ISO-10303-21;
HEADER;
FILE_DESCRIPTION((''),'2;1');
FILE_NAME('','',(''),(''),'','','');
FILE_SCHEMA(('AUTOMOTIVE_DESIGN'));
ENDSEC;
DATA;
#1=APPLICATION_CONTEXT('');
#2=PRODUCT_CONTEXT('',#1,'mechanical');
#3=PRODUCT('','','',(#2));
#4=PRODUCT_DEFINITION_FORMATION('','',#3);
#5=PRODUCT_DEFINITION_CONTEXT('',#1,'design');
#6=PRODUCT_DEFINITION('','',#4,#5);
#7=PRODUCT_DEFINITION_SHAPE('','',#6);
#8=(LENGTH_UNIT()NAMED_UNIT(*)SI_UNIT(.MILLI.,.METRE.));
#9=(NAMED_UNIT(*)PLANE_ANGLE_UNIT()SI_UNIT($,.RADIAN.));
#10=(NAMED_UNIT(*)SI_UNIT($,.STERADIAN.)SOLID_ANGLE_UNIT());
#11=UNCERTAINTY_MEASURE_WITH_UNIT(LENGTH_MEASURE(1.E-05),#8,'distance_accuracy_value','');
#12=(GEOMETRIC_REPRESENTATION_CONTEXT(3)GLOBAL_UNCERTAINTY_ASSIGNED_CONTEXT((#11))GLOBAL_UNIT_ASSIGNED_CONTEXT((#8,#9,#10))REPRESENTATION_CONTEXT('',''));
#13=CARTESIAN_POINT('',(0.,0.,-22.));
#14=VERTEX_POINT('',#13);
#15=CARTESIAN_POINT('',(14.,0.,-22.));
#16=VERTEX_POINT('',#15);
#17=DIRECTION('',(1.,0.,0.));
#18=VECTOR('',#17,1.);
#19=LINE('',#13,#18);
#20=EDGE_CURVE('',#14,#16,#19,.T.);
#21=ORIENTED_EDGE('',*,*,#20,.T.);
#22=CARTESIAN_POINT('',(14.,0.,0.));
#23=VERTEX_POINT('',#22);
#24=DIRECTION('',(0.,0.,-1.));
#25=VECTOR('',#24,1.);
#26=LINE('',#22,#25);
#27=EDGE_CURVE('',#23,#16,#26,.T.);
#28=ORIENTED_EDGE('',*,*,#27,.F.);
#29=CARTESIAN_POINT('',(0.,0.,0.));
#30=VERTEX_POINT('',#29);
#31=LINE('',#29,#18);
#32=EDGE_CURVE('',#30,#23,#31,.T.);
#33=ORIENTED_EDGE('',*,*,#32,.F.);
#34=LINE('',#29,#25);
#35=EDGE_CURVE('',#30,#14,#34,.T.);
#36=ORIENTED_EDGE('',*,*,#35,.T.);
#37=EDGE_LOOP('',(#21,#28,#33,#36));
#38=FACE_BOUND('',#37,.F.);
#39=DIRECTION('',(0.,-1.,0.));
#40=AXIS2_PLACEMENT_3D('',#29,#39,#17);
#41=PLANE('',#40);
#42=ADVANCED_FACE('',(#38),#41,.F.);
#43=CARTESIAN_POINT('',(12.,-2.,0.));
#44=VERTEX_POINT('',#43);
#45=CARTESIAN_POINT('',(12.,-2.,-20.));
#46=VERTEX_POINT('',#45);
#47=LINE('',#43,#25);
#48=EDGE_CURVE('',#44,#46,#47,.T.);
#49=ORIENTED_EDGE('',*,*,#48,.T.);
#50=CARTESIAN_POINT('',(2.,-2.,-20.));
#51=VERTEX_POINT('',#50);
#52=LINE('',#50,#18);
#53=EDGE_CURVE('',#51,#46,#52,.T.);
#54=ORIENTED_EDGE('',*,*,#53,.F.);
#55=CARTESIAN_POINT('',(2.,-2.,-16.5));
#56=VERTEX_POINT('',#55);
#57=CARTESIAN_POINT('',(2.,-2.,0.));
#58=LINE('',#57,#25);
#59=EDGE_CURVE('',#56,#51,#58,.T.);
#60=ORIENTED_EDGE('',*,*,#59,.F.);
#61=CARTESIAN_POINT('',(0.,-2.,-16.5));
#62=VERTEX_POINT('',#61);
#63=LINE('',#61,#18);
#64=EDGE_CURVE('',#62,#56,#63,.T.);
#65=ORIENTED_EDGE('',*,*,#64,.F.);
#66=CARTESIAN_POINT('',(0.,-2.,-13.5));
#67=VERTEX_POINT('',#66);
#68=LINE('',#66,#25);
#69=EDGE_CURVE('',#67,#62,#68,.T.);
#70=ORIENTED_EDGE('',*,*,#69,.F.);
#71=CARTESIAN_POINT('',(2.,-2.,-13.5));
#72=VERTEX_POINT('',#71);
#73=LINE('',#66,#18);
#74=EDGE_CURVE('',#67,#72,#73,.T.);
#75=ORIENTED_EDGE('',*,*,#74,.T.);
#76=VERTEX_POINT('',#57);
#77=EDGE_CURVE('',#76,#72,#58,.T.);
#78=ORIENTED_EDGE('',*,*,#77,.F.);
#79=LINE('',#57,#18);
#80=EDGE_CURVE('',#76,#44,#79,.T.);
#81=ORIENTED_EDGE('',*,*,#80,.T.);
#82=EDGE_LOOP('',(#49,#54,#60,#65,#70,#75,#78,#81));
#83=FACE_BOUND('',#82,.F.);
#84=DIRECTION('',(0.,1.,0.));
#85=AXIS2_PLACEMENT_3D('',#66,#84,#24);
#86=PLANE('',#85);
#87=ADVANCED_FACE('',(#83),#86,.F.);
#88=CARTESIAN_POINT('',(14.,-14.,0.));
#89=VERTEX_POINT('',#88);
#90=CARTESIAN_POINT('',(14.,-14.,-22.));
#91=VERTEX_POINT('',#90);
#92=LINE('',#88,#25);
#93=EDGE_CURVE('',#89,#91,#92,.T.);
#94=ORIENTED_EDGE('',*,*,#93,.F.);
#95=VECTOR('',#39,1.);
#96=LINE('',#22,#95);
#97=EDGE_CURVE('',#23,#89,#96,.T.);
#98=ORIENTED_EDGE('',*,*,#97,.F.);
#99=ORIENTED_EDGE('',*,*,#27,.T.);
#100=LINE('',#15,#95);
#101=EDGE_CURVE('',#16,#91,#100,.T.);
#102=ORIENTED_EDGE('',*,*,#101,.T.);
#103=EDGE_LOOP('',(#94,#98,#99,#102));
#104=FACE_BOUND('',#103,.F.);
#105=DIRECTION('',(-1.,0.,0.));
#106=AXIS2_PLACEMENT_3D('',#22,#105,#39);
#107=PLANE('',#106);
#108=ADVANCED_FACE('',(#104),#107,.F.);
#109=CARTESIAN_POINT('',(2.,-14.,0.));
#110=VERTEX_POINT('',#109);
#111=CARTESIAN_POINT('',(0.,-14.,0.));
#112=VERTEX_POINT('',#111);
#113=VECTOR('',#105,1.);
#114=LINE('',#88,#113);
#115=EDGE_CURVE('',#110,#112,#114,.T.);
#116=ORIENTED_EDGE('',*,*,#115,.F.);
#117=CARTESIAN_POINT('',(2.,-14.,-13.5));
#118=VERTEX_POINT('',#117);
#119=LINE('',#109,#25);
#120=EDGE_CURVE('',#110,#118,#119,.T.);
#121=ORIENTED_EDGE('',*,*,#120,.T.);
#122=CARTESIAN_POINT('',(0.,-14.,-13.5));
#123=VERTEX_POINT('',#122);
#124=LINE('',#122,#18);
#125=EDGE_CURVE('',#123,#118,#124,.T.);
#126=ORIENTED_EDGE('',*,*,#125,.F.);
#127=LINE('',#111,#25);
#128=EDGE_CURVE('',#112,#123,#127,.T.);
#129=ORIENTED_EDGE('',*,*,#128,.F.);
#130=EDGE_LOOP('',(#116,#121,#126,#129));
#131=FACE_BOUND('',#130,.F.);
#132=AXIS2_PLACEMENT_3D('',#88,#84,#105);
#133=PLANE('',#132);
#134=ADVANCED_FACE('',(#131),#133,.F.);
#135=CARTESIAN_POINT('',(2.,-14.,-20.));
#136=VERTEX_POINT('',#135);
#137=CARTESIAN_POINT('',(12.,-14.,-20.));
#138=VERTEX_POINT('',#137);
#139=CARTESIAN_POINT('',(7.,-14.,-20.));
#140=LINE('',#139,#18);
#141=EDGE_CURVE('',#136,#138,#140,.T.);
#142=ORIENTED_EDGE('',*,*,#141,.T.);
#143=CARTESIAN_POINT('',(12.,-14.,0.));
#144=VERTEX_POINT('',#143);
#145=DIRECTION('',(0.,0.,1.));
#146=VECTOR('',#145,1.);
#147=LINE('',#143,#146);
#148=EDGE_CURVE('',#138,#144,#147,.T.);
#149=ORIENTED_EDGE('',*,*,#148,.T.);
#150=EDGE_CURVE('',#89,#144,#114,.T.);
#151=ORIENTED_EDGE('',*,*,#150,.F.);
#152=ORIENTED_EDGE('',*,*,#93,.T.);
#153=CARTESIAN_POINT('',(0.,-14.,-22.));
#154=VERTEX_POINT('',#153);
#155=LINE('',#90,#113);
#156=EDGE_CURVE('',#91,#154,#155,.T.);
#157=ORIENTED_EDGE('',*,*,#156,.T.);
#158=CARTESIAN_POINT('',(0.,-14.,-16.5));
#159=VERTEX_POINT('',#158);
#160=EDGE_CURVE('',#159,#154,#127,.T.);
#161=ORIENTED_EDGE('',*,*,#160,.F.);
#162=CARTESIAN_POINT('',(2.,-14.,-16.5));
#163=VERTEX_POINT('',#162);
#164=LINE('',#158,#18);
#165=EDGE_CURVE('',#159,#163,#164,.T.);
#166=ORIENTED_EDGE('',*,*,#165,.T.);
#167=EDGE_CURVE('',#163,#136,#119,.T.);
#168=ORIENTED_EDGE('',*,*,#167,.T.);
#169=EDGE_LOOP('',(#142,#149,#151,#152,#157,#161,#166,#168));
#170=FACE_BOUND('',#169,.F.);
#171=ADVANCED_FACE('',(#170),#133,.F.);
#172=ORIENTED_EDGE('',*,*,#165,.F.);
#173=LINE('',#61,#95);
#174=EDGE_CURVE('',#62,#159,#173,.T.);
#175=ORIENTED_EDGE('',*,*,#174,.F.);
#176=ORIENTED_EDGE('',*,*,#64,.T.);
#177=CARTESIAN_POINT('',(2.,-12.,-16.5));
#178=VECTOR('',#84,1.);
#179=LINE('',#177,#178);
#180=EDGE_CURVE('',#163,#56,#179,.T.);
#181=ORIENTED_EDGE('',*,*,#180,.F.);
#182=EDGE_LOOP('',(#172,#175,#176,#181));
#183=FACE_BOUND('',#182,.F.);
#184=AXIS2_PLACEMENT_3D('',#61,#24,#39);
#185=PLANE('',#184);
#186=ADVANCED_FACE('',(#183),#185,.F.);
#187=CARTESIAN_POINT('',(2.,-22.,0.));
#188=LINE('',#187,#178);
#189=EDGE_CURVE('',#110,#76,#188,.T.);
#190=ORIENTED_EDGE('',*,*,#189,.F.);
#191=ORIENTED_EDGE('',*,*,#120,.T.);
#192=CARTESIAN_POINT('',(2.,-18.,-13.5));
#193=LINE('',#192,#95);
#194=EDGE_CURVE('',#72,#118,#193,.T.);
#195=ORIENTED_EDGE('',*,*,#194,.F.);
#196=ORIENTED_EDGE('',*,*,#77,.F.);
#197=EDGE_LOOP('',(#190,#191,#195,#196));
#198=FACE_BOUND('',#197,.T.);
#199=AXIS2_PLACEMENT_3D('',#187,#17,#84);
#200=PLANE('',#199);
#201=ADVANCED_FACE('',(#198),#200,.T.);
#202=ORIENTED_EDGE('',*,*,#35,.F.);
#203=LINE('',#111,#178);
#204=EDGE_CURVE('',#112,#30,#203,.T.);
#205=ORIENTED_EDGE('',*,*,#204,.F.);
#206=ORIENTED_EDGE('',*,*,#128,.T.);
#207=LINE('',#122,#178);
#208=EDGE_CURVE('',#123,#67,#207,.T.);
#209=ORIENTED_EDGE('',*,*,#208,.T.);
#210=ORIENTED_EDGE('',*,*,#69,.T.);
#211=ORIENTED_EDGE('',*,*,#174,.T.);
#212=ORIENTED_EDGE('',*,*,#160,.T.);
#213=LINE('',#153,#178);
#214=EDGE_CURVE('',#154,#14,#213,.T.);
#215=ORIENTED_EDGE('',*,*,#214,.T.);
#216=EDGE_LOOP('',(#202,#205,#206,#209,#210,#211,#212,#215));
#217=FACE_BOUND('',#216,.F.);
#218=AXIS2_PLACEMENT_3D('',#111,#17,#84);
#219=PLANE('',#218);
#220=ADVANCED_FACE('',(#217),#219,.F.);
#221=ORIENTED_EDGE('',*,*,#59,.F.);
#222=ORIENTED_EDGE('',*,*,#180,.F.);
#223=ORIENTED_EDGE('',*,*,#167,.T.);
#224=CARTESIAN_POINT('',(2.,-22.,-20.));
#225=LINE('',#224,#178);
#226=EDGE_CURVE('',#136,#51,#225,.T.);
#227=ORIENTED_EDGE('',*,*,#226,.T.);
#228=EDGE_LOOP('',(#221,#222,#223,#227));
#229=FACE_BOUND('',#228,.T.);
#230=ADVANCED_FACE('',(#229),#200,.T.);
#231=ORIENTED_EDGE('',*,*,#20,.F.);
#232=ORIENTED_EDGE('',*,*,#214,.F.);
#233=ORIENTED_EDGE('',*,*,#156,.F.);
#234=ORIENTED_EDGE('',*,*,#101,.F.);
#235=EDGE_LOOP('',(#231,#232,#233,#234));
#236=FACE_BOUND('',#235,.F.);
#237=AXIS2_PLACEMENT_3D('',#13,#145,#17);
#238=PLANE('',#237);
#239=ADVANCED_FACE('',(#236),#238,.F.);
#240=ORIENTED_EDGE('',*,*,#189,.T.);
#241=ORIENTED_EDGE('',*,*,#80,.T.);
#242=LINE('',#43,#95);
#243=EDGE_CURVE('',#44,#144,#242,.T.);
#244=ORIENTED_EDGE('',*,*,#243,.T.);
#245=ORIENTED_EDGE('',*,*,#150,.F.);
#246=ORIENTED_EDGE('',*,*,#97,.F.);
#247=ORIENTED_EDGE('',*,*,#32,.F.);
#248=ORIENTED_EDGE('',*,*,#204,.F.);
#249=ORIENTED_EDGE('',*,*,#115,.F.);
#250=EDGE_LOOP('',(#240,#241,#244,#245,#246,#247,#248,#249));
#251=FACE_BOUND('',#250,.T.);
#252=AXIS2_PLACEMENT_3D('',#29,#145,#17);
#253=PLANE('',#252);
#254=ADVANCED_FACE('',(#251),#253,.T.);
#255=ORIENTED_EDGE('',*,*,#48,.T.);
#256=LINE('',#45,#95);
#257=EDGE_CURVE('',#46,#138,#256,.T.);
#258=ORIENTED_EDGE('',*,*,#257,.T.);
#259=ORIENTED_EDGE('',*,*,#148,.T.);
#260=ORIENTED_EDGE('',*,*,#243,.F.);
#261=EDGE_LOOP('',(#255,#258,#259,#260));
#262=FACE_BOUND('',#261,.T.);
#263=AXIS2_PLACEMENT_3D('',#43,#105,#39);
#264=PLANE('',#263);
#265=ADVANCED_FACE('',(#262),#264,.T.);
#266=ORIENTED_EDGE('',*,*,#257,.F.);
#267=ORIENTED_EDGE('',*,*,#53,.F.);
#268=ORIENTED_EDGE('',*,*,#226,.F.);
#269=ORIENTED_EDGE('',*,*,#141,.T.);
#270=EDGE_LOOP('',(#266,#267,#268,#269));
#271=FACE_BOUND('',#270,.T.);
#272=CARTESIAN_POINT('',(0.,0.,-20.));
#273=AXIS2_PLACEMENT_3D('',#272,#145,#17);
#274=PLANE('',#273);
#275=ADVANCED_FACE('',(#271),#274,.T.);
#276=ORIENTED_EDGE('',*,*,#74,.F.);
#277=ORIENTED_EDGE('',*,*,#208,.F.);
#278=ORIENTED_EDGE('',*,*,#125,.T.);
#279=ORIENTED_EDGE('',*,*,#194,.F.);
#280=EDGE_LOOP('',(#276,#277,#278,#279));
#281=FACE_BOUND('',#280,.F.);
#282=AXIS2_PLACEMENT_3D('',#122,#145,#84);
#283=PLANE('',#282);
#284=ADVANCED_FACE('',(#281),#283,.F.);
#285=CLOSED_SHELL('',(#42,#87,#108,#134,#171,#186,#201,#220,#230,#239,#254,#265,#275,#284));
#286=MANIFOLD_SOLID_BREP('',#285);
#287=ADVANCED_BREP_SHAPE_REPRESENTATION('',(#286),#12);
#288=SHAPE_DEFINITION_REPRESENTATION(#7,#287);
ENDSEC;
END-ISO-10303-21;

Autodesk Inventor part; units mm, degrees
ref_plane "YZ Plane" through (0, 0, 0) normal (1, 0, 0) x (0, 1, 0)
ref_plane "XZ Plane" through (0, 0, 0) normal (0, 1, 0) x (-1, 0, 0)
ref_plane "XY Plane" through (0, 0, 0) normal (0, 0, 1) x (1, 0, 0)
sketch "Sketch1" plane through (0, 0, 0) normal (0, 0, 1) x (1, 0, 0)
  line L0 (0, 0) -> (14, 0)
  line L1 (14, 0) -> (14, -14)
  line L2 (14, -14) -> (0, -14)
  line L3 (0, -14) -> (0, 0)
  dimension "d0" = 14
  dimension "d1" = 14
extrude "Extrusion1" add sketch "Sketch1" against normal blind 22
sketch "Sketch2" plane through (0, 0, 0) normal (0, 0, 1) x (1, 0, 0)
  line L0 (2, -2) -> (12, -2)
  line L1 (12, -2) -> (12, -22)
  line L2 (12, -22) -> (2, -22)
  line L3 (2, -22) -> (2, -2)
  point P0 (0, 0)
  dimension "d4" = 10
  dimension "d5" = 20
extrude "Extrusion2" cut sketch "Sketch2" against normal blind 20
sketch "Sketch3" plane through (0, -14, 0) normal (-1, 0, 0) x (0, 0, 1)
  line L0 (0, 0) -> (-20, 0) projected
  line L1 (-13.5, 12) -> (-16.5, 12)
  line L2 (-16.5, 12) -> (-16.5, 0)
  line L3 (-16.5, 0) -> (-13.5, 0)
  line L4 (-13.5, 0) -> (-13.5, 12)
  point P0 (0, 14)
  dimension "d8" = 3
extrude "Extrusion3" cut sketch "Sketch3" against normal blind 10
properties part number "housing_v02"
